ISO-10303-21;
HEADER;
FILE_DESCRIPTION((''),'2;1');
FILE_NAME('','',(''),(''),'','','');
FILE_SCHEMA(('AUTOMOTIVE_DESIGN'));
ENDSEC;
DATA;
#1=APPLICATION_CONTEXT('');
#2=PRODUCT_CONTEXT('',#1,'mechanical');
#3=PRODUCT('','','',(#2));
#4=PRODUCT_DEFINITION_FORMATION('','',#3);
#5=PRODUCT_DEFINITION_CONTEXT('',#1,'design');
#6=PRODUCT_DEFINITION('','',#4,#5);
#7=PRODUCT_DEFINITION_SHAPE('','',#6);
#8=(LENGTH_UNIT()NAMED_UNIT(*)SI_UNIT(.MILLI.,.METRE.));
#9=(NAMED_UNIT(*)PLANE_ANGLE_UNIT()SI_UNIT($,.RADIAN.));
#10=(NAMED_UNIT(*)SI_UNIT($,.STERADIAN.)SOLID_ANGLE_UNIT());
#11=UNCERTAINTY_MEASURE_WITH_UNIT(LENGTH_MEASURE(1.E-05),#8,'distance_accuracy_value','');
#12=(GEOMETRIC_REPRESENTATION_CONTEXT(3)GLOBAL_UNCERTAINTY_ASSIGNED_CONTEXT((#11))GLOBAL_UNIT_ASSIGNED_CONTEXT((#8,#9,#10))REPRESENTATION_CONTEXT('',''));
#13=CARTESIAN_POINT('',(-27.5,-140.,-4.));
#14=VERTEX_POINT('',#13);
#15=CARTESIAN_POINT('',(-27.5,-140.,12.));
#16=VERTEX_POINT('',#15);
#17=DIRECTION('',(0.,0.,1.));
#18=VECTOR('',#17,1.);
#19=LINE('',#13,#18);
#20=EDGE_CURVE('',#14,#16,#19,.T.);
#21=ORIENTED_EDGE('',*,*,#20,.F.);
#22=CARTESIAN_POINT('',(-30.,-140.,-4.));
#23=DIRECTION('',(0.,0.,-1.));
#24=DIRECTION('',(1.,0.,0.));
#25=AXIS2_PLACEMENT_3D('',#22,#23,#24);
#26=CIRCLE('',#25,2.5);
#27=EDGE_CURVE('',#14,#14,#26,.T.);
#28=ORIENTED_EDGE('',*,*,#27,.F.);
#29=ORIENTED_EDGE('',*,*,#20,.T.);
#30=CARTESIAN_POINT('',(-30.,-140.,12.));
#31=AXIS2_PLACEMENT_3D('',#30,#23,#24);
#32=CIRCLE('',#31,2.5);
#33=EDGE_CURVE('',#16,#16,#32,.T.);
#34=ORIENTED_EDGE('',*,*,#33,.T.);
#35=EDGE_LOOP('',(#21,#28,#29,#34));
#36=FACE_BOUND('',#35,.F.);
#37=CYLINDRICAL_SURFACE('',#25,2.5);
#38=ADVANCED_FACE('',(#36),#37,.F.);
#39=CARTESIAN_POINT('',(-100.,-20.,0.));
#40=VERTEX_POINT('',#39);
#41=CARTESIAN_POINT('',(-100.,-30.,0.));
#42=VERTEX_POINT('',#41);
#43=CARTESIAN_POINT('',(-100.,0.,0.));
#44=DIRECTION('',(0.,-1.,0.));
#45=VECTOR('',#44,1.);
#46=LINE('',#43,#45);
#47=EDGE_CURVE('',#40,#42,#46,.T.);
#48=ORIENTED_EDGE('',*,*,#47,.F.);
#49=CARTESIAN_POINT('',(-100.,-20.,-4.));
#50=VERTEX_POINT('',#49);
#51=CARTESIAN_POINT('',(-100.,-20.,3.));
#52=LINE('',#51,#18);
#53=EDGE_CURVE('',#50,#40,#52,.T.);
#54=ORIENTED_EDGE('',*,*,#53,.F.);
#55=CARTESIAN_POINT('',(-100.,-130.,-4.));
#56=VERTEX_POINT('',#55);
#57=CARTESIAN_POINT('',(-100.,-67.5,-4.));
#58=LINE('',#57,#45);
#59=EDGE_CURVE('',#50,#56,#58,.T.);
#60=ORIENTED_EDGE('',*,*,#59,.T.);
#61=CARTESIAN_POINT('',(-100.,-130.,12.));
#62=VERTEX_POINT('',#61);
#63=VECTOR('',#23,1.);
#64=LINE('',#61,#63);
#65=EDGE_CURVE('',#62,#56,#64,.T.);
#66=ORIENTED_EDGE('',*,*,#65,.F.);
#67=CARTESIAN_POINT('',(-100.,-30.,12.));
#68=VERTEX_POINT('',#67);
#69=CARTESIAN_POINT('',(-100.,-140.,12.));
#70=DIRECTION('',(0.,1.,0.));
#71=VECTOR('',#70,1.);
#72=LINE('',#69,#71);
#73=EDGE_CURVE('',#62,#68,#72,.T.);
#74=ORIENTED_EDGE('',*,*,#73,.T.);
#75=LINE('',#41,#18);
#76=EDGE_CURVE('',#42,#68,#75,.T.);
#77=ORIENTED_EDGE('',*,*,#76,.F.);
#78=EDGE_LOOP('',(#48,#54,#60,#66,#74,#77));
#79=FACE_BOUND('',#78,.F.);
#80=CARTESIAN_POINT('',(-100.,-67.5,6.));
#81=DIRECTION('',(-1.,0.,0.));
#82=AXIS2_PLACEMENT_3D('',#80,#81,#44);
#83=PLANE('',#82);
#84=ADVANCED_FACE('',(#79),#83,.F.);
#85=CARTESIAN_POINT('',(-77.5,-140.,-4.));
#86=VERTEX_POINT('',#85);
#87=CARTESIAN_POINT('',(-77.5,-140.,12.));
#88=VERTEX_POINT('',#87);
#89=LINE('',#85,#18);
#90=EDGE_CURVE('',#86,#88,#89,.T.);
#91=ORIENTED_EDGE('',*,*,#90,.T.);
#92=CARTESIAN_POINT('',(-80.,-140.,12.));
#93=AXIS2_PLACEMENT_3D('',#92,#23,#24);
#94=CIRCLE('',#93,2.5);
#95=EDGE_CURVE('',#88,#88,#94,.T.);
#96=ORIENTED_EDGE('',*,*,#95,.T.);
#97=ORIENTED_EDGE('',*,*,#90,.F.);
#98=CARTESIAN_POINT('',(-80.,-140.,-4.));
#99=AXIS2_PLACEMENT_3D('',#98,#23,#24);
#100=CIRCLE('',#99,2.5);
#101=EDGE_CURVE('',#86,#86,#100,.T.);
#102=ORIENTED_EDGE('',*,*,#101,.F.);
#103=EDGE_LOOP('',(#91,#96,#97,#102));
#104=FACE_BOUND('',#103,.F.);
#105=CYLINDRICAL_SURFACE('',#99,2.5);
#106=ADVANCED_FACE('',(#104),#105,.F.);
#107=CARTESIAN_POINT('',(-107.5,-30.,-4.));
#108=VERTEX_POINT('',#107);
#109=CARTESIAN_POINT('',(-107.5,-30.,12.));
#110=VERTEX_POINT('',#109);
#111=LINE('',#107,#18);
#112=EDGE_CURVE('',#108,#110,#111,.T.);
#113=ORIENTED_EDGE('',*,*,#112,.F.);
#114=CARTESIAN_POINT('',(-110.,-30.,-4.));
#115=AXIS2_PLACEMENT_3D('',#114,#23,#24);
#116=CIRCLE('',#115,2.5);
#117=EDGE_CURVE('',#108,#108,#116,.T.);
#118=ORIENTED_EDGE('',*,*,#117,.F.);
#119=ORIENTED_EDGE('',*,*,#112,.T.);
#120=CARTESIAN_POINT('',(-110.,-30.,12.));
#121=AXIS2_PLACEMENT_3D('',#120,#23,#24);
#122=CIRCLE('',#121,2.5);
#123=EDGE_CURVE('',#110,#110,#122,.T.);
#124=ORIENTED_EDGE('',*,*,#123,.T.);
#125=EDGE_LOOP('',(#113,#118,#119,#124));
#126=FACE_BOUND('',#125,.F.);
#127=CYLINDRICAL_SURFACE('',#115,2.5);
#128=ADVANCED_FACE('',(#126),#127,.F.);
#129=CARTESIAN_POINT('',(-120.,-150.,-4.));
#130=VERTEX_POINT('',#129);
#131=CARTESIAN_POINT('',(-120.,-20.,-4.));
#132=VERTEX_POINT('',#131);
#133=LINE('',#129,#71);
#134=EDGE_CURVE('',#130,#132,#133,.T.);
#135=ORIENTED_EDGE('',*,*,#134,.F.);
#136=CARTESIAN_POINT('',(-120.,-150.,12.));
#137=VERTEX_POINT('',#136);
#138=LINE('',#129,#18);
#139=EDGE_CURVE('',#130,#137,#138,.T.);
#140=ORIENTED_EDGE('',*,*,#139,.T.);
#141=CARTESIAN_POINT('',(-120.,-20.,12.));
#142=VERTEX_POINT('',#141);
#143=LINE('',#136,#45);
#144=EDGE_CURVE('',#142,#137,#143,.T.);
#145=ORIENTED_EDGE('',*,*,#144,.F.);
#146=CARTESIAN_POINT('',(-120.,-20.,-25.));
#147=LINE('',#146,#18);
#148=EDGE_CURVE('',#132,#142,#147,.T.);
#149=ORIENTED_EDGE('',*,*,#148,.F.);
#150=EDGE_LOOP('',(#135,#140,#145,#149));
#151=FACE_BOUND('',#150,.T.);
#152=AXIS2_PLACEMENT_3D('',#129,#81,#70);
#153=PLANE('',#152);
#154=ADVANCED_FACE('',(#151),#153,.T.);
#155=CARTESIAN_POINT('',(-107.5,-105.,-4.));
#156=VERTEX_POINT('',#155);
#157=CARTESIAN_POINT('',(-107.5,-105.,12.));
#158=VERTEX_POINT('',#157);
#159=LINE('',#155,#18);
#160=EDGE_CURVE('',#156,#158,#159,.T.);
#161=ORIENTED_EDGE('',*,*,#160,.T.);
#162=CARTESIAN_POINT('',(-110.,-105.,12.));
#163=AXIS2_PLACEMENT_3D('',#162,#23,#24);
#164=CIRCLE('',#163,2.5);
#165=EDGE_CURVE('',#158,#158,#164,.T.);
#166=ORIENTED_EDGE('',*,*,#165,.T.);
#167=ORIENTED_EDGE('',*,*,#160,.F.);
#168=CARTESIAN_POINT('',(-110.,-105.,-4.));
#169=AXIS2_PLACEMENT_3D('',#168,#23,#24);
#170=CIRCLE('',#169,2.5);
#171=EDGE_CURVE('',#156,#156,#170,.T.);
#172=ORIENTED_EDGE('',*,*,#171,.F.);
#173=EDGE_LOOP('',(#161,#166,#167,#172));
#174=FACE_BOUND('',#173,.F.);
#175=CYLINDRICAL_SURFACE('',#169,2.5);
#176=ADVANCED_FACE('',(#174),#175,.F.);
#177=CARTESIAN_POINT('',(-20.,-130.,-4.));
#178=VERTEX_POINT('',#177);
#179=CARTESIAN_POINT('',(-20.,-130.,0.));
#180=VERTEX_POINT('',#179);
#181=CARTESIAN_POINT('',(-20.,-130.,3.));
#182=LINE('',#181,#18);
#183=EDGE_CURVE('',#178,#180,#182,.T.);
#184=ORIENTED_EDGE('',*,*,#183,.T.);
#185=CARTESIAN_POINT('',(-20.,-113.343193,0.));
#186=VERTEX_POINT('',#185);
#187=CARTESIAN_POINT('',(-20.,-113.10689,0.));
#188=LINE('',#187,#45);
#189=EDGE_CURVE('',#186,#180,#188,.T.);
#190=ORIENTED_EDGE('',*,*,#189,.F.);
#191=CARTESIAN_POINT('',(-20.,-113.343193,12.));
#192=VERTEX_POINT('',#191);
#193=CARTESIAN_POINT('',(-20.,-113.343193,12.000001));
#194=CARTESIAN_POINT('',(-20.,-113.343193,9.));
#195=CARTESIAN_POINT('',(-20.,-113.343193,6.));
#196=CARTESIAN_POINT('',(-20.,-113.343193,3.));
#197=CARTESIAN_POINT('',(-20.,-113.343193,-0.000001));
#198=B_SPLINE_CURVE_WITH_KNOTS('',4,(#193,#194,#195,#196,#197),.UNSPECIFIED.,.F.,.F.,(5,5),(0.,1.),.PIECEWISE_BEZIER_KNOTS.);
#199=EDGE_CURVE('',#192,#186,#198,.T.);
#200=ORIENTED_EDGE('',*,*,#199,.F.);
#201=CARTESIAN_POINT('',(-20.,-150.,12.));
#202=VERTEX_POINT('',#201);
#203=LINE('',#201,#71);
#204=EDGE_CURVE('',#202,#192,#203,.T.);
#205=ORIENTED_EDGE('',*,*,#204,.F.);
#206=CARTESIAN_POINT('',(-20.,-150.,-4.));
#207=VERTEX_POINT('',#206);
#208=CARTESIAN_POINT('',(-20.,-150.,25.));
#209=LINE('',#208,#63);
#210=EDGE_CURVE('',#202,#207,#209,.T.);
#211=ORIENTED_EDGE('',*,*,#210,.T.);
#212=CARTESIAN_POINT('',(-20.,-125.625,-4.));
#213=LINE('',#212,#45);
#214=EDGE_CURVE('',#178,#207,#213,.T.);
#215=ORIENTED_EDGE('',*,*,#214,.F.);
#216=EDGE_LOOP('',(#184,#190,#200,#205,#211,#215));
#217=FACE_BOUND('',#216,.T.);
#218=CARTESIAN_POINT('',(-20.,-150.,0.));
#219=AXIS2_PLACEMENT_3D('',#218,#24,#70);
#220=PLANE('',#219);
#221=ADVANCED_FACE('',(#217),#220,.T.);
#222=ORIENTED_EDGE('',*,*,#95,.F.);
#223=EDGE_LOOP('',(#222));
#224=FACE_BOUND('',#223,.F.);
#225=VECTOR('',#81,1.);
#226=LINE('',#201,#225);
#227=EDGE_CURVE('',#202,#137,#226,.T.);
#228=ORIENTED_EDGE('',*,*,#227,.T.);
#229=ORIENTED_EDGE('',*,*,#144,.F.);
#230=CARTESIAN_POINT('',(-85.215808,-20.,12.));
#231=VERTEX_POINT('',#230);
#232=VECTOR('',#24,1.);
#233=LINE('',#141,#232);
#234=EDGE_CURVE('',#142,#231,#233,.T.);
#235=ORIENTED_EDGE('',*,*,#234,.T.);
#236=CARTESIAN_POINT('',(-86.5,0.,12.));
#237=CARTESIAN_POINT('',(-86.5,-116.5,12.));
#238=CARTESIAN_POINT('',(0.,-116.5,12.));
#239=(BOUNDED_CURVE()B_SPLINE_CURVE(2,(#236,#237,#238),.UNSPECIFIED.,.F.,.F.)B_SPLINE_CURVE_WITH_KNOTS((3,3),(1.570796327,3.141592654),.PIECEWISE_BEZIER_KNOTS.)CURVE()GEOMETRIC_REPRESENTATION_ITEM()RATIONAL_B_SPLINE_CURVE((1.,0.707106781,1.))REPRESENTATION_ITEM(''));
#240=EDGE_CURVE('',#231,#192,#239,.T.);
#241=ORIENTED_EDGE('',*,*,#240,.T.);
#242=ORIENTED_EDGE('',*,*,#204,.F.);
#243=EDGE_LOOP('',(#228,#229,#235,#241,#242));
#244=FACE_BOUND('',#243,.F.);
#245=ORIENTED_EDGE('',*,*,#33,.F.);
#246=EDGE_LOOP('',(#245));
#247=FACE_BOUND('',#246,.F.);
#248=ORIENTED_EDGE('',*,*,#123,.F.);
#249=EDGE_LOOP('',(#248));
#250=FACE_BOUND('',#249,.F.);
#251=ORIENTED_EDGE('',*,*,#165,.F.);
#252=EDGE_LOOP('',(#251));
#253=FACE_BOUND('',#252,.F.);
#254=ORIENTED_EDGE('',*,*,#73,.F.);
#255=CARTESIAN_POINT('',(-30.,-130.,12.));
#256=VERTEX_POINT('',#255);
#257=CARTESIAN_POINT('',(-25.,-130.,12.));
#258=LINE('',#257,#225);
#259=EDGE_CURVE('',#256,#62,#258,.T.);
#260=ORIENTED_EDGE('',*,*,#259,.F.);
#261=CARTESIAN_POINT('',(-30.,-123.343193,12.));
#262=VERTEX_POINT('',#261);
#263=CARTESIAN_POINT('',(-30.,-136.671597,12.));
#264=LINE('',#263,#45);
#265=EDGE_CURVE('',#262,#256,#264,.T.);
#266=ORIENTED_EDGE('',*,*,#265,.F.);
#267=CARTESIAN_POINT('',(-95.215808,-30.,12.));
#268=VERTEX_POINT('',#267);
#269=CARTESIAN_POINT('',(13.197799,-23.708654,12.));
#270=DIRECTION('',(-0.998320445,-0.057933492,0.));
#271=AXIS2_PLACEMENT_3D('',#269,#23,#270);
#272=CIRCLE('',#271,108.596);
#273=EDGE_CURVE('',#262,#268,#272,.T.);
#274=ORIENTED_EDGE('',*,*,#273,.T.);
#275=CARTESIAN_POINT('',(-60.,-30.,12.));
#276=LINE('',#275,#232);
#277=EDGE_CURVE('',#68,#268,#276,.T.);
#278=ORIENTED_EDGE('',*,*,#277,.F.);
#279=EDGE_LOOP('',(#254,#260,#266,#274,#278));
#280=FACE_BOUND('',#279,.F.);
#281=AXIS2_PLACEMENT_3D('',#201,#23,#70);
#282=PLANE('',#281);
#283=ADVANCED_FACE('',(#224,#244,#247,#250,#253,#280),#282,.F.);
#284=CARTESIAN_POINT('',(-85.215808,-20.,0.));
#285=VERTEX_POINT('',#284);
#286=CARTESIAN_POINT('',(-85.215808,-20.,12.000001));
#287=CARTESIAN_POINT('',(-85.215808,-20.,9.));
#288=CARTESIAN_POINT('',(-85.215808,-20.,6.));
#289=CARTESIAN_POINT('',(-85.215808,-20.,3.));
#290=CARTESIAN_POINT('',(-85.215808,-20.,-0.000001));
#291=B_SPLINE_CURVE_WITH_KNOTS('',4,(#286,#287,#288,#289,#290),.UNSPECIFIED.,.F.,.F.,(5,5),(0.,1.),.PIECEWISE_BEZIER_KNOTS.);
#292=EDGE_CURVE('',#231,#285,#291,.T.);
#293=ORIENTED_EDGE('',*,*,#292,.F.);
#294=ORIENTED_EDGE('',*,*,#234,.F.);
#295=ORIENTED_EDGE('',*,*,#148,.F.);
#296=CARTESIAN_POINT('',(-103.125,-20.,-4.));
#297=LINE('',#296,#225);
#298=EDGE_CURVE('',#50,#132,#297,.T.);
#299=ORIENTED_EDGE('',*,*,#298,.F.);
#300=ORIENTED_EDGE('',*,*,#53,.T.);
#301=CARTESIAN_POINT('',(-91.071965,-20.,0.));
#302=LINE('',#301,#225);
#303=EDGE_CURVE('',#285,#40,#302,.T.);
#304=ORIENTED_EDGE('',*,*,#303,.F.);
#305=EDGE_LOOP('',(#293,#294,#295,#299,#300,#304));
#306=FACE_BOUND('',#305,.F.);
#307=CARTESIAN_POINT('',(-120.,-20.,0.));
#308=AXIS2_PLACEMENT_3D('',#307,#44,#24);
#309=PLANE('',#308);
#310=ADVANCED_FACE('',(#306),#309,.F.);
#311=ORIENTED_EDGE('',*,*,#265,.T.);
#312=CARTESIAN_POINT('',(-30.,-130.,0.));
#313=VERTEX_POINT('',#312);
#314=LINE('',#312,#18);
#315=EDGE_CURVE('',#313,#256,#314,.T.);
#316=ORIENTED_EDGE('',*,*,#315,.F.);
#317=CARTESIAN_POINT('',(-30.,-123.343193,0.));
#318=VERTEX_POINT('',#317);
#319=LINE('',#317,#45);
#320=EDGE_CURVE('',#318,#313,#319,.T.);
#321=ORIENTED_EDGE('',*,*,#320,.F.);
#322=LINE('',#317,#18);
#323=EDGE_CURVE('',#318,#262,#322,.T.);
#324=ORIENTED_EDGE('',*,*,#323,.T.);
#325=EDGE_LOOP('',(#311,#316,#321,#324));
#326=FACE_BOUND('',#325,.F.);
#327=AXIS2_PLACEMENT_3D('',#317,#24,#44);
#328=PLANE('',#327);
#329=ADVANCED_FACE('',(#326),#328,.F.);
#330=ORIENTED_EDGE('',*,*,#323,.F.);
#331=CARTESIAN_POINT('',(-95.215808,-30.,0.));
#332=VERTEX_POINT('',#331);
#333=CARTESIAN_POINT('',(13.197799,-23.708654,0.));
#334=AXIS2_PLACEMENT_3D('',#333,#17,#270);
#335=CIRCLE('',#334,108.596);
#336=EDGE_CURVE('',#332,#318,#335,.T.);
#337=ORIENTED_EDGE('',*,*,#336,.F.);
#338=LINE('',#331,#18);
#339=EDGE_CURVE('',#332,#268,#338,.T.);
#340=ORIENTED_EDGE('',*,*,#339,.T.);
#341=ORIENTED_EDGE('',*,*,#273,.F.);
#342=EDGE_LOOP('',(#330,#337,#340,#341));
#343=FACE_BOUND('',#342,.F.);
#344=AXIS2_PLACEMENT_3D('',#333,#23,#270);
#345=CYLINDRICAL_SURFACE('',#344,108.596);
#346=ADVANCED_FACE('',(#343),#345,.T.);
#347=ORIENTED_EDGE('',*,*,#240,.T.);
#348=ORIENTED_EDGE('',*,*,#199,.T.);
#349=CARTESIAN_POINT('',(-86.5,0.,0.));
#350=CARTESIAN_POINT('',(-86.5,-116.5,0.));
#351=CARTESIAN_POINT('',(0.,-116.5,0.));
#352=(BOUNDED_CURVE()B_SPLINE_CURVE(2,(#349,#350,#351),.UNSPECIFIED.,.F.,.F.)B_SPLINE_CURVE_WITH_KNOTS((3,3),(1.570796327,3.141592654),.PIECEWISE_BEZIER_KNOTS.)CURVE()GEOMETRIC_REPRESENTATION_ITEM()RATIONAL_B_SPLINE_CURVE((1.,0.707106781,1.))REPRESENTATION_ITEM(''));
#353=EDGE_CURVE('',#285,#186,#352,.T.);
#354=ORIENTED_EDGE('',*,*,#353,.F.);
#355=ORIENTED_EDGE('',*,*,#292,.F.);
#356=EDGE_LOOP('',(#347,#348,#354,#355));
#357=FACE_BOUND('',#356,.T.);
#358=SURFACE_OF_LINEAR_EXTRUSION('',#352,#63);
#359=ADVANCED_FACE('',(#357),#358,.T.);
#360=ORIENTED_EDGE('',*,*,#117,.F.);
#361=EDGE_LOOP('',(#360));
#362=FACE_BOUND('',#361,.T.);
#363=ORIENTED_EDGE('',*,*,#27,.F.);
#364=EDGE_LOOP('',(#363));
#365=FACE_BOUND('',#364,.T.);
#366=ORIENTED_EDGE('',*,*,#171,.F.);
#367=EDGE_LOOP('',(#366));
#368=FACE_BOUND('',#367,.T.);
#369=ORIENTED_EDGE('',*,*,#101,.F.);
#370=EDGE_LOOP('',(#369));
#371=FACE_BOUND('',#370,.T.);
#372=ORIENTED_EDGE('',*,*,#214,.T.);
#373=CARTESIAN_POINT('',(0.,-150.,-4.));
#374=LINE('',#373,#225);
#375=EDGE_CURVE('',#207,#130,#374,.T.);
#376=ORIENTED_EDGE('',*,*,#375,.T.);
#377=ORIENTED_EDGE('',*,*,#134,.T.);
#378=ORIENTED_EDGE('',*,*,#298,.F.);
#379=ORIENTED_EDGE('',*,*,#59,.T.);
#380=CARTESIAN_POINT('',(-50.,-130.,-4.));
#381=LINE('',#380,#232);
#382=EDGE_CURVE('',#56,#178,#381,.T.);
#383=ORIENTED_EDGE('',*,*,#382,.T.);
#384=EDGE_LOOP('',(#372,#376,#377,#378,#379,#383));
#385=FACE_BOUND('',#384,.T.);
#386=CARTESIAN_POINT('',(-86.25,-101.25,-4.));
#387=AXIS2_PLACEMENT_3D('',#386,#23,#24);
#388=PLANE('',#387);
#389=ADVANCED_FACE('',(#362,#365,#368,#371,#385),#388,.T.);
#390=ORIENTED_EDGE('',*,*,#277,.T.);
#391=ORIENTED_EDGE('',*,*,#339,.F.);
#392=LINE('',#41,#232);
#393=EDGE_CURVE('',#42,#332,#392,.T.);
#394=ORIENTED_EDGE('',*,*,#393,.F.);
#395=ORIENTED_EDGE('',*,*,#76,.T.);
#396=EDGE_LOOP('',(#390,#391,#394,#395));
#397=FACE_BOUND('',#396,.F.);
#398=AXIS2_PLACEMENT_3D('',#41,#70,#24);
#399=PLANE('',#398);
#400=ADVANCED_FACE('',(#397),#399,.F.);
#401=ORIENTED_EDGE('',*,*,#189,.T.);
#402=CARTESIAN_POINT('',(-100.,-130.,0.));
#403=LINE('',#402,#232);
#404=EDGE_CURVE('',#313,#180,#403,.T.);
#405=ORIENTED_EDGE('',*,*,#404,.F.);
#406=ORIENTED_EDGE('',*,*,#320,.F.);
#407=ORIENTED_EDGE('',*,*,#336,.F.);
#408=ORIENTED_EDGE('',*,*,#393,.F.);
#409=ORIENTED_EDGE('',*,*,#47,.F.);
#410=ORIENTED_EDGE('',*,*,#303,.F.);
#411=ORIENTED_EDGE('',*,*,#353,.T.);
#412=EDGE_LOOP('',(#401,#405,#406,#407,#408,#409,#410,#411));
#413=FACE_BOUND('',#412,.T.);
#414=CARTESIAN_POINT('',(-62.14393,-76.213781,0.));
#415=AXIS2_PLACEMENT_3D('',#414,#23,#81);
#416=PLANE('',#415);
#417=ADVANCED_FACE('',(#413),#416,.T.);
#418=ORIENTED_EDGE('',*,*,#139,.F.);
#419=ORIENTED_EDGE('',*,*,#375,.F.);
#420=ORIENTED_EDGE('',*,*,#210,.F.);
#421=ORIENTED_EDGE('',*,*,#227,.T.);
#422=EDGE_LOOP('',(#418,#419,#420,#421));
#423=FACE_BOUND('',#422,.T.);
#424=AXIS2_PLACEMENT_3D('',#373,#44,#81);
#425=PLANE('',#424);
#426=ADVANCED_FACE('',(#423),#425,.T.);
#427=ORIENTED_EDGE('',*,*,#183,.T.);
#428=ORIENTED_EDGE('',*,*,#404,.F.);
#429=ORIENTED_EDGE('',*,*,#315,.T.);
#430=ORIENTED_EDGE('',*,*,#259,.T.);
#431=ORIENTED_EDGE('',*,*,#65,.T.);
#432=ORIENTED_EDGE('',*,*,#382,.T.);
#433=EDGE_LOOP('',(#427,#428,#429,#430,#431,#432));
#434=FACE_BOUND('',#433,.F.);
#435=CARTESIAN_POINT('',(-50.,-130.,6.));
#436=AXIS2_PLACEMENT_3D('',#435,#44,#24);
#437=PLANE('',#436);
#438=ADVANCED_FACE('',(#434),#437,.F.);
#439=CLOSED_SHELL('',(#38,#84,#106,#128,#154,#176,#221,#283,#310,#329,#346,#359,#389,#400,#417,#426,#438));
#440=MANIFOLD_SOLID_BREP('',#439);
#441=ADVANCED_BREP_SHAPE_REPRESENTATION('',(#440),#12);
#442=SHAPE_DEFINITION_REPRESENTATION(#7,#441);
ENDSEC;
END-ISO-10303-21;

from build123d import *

# Parameters (mm, degrees)
F1_DEPTH  = 12
F2_W      = 100
F2_H      = 20
F3_DEPTH  = 5
F4_W      = 135
F4_H      = 20
F5_DEPTH  = 5
F7_R      = 2.5
F8_DEPTH  = 25
F9_DEPTH  = 5
F10_W     = 20
F10_H     = 20
F10_W_2   = 100
F10_H_2   = 130
F11_DEPTH = 25
F12_W     = 130
F12_H     = 9
F13_DEPTH = 100.0010001
F15_DEPTH = 12.0010001


with BuildPart() as f1:
    # F0 (on Top) → F1 (new body)
    with BuildSketch(Plane.XY):
        with BuildLine():
            add(Edge.make_bspline(
                [(-86.5, 0), (-86.5, -116.5), (0, -116.5)],
                knots=[1.5707963268, 1.5707963268, 1.5707963268, 3.1415926536, 3.1415926536, 3.1415926536], degree=2, weights=[1, 0.7071067812, 1]))
            Line((-86.5, 0), (-86.5, -116.5))
            Line((-86.5, -116.5), (0, -116.5))
        make_face()
        Polygon((-86.5, -116.5), (-86.5, 0), (-100, 0), (-100, -130), (0, -130), (0, -116.5), align=None)
    extrude(amount=F1_DEPTH)

    # F2 (on face) → F3 (join)
    with BuildSketch(Plane.XZ.offset(130)):
        with Locations((-50, 6)):
            Rectangle(F2_W, F2_H)
    extrude(amount=F3_DEPTH)

    # F4 (on face) → F5 (join)
    with BuildSketch(Plane(origin=(-100, 0, 0), x_dir=(0, -1, 0), z_dir=(-1, 0, 0))):
        with Locations((67.5, 6)):
            Rectangle(F4_W, F4_H)
    extrude(amount=F5_DEPTH)

    # F7 (on face) → F8 (join)
    with BuildSketch(Plane(origin=(0, 0, -4), x_dir=(1, 0, 0), z_dir=(0, 0, -1))):
        Polygon((0, 135), (0, 150), (-120, 150), (-120, 0), (-105, 0), (-105, 135), align=None)
        with Locations((-110, 30)):
            Circle(F7_R, mode=Mode.SUBTRACT)
        with Locations((-110, 105)):
            Circle(F7_R, mode=Mode.SUBTRACT)
        with Locations((-80, 140)):
            Circle(F7_R, mode=Mode.SUBTRACT)
        with Locations((-30, 140)):
            Circle(F7_R, mode=Mode.SUBTRACT)
    extrude(amount=-F8_DEPTH)

    # F6 (on face) → F9 (join)
    with BuildSketch(Plane.XY.offset(16)):
        Polygon((-90, 0), (-105, 0), (-105, -135), (0, -135), (0, -120), (-90, -120), align=None)
    extrude(amount=F9_DEPTH)

    # F10 (on Top) → F11 (cut, symmetric)
    with BuildSketch(Plane.XY):
        with Locations((-10, -10)):
            Rectangle(F10_W, F10_H)
        with Locations((-70, -10)):
            Rectangle(F10_W_2, F10_H)
        with Locations((-10, -85)):
            Rectangle(F10_W, F10_H_2)
    extrude(amount=F11_DEPTH, both=True, mode=Mode.SUBTRACT)

    # F12 (on face) → F13 (cut, through all)
    with BuildSketch(Plane.YZ.offset(-20)):
        with Locations((-85, 16.5)):
            Rectangle(F12_W, F12_H)
    extrude(amount=-F13_DEPTH, mode=Mode.SUBTRACT)

    # F14 (on face) → F15 (cut, through all)
    with BuildSketch(Plane(origin=(0, 0, 0), x_dir=(1, 0, 0), z_dir=(0, 0, -1))):
        with BuildLine():
            Line((-30, 130), (-100, 130))
            Line((-100, 130), (-100, 30))
            Line((-100, 30), (-95.2158076494, 30))
            ThreePointArc((-95.2158076494, 30), (-75.8232238431, 85.9047045014), (-30, 123.3431933691))
            Line((-30, 123.3431933691), (-30, 130))
        make_face()
    extrude(amount=-F15_DEPTH, mode=Mode.SUBTRACT)


solid = f1.part
